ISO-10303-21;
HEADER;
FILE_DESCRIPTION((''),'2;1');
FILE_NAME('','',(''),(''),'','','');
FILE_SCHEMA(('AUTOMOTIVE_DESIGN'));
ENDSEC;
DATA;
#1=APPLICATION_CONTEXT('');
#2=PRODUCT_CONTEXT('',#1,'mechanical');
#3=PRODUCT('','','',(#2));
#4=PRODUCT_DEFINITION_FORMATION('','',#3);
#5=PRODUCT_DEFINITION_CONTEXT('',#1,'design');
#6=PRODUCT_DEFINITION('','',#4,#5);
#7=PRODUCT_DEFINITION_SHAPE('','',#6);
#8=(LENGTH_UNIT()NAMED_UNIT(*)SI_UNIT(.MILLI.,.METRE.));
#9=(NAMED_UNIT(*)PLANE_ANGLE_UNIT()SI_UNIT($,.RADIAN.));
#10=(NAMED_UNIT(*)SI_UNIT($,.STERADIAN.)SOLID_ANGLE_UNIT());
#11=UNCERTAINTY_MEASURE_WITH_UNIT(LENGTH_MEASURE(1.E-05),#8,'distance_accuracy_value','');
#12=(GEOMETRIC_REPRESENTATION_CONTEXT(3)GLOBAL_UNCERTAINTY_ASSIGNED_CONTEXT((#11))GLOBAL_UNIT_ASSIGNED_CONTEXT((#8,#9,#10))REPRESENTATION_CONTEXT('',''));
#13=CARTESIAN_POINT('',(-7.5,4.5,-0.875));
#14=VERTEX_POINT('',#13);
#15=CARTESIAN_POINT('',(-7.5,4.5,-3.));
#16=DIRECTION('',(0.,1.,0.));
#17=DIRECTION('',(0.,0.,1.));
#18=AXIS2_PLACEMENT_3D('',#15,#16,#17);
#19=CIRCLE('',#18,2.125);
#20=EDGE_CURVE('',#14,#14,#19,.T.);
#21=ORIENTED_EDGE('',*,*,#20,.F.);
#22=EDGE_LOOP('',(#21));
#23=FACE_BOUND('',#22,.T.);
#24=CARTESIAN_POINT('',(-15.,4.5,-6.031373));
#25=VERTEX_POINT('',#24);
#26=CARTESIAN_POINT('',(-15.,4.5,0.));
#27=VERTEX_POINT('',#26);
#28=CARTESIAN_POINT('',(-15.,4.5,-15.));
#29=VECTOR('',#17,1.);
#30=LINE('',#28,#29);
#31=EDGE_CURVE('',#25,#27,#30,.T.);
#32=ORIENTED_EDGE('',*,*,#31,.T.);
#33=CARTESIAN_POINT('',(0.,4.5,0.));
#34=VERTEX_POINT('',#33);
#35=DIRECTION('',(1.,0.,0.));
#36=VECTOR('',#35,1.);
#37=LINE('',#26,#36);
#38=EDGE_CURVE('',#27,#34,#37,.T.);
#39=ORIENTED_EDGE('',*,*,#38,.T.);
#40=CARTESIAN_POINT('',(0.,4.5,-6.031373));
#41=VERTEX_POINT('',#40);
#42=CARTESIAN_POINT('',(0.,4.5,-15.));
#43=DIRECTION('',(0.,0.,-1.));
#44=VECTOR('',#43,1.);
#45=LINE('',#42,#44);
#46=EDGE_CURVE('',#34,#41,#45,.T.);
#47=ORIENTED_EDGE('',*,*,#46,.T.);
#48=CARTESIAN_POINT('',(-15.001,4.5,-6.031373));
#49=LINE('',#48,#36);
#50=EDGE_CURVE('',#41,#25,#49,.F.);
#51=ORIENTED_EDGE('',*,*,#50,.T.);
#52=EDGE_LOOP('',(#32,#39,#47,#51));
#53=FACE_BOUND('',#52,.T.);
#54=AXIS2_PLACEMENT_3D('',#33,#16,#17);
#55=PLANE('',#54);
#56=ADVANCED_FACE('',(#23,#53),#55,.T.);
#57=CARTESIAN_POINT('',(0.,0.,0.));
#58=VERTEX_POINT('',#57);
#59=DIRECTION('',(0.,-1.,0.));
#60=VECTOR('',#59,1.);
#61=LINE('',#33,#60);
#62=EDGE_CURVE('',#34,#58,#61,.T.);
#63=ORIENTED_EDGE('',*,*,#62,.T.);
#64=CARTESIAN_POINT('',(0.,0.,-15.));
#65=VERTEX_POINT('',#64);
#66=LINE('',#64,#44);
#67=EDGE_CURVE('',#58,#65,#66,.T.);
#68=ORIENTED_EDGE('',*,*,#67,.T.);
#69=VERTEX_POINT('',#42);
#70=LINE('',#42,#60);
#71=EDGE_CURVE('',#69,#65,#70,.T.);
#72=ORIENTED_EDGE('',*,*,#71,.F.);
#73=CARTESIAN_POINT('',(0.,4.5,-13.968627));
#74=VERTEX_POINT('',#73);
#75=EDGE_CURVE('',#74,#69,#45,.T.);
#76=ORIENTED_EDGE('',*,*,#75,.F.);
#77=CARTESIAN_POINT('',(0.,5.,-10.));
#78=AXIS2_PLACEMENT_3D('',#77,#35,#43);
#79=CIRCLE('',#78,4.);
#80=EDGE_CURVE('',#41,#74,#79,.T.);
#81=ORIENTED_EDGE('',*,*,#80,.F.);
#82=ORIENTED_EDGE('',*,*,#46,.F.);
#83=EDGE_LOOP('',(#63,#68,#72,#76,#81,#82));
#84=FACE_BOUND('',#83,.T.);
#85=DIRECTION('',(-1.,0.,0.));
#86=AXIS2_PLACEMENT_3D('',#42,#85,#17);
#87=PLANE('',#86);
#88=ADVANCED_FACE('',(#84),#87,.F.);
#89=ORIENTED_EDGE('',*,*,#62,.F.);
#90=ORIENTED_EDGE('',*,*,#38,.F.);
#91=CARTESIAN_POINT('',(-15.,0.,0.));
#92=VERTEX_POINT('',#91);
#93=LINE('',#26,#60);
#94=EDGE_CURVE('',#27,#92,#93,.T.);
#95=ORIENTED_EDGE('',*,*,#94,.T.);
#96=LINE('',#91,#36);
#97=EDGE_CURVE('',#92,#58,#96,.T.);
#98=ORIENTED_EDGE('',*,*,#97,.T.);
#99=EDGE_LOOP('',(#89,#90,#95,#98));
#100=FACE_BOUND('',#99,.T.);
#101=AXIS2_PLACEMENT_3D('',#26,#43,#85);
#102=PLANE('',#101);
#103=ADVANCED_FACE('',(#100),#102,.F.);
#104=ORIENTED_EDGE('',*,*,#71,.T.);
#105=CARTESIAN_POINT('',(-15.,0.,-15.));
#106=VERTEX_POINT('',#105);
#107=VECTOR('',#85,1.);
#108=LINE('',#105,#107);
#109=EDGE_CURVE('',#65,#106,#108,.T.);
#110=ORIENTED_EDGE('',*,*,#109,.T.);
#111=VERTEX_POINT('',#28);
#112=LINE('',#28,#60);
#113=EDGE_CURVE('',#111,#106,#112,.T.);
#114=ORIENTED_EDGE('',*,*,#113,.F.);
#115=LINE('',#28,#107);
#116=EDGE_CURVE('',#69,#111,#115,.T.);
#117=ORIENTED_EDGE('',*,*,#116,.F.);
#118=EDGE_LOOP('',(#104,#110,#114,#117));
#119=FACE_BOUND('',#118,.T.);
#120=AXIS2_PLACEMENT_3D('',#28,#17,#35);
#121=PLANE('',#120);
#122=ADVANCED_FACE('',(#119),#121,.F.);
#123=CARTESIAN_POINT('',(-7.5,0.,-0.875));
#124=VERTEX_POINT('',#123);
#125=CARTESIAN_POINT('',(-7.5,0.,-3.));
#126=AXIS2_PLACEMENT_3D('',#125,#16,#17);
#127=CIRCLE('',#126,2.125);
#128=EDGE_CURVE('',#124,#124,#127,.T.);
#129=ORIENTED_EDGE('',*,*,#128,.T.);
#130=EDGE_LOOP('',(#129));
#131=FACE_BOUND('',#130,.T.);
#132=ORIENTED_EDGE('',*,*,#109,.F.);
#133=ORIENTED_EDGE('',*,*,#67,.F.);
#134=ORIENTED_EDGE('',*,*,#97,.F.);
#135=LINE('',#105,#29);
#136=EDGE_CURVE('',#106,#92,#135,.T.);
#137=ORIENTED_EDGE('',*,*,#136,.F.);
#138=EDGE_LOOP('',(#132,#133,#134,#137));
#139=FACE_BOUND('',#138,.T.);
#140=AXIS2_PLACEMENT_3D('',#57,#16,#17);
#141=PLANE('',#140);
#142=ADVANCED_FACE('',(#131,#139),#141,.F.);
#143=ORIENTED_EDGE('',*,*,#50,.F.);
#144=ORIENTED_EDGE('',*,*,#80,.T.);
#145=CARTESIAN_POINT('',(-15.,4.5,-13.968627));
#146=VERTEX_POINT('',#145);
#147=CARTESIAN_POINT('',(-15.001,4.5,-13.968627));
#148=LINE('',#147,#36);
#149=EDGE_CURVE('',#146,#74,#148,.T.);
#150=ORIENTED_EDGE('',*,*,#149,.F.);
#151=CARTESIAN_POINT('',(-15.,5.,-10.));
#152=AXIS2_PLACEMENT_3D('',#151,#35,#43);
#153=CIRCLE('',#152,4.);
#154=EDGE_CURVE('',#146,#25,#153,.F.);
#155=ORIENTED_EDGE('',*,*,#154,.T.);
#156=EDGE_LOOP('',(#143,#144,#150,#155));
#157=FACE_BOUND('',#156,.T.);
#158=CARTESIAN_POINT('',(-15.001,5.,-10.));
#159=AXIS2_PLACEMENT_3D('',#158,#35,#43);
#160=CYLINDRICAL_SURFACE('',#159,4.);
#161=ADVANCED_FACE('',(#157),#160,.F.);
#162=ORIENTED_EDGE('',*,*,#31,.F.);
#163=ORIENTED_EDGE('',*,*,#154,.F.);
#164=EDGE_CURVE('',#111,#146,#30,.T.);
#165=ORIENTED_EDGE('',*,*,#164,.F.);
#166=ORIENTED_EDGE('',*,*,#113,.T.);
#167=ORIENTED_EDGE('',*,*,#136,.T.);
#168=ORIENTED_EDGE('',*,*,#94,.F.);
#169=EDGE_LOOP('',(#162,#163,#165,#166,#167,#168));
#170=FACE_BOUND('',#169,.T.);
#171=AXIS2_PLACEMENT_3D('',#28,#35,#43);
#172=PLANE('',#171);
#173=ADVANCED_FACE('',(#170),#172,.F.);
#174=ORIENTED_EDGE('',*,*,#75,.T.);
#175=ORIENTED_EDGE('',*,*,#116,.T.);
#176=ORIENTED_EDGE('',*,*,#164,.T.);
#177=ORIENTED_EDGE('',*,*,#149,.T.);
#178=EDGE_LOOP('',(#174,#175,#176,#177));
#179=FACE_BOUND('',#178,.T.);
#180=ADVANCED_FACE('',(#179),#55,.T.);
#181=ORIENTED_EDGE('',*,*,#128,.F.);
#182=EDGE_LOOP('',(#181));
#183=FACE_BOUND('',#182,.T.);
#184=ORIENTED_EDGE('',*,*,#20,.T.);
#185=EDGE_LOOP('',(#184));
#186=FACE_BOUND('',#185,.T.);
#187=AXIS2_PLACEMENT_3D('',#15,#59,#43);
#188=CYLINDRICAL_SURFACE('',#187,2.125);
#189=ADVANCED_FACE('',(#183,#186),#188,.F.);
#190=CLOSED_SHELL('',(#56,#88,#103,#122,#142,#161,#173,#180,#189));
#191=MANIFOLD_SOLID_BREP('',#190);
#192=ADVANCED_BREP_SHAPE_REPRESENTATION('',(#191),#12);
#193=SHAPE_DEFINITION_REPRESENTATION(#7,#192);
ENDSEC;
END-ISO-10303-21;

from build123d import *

# Parameters (mm, degrees)
SKETCH1_W           = 15
SKETCH1_H           = 15
SKETCH1_R           = 2.125
BOSS_EXTRUDE1_DEPTH = 4.5
CUT_EXTRUDE1_REACH  = 23.685
SKETCH2_R           = 4


with BuildPart() as part:
    # Sketch1 → Boss-Extrude1 (new body)
    with BuildSketch(Plane(origin=(0, 0, 0), x_dir=(1, 0, 0), z_dir=(0, 1, 0))):
        with Locations((-7.5, 7.5)):
            Rectangle(SKETCH1_W, SKETCH1_H)
        with Locations(Location((-7.5, 3, 0), (0, 0, 270))):
            Circle(SKETCH1_R, mode=Mode.SUBTRACT)
    extrude(amount=BOSS_EXTRUDE1_DEPTH)

    # Sketch2 → Cut-Extrude1 (cut, up to next)
    with BuildSketch(Plane(origin=(0, 0, 0), x_dir=(0, 0, -1), z_dir=(1, 0, 0)), mode=Mode.PRIVATE) as cut_extrude1_sk1:
        with Locations((10, 5)):
            Circle(SKETCH2_R)
    cut_extrude1_tool1 = extrude(cut_extrude1_sk1.sketch, amount=-CUT_EXTRUDE1_REACH, mode=Mode.PRIVATE) & part.part
    add(cut_extrude1_tool1.solids().sort_by_distance((0, 5, -10))[0], mode=Mode.SUBTRACT)


solid = part.part
